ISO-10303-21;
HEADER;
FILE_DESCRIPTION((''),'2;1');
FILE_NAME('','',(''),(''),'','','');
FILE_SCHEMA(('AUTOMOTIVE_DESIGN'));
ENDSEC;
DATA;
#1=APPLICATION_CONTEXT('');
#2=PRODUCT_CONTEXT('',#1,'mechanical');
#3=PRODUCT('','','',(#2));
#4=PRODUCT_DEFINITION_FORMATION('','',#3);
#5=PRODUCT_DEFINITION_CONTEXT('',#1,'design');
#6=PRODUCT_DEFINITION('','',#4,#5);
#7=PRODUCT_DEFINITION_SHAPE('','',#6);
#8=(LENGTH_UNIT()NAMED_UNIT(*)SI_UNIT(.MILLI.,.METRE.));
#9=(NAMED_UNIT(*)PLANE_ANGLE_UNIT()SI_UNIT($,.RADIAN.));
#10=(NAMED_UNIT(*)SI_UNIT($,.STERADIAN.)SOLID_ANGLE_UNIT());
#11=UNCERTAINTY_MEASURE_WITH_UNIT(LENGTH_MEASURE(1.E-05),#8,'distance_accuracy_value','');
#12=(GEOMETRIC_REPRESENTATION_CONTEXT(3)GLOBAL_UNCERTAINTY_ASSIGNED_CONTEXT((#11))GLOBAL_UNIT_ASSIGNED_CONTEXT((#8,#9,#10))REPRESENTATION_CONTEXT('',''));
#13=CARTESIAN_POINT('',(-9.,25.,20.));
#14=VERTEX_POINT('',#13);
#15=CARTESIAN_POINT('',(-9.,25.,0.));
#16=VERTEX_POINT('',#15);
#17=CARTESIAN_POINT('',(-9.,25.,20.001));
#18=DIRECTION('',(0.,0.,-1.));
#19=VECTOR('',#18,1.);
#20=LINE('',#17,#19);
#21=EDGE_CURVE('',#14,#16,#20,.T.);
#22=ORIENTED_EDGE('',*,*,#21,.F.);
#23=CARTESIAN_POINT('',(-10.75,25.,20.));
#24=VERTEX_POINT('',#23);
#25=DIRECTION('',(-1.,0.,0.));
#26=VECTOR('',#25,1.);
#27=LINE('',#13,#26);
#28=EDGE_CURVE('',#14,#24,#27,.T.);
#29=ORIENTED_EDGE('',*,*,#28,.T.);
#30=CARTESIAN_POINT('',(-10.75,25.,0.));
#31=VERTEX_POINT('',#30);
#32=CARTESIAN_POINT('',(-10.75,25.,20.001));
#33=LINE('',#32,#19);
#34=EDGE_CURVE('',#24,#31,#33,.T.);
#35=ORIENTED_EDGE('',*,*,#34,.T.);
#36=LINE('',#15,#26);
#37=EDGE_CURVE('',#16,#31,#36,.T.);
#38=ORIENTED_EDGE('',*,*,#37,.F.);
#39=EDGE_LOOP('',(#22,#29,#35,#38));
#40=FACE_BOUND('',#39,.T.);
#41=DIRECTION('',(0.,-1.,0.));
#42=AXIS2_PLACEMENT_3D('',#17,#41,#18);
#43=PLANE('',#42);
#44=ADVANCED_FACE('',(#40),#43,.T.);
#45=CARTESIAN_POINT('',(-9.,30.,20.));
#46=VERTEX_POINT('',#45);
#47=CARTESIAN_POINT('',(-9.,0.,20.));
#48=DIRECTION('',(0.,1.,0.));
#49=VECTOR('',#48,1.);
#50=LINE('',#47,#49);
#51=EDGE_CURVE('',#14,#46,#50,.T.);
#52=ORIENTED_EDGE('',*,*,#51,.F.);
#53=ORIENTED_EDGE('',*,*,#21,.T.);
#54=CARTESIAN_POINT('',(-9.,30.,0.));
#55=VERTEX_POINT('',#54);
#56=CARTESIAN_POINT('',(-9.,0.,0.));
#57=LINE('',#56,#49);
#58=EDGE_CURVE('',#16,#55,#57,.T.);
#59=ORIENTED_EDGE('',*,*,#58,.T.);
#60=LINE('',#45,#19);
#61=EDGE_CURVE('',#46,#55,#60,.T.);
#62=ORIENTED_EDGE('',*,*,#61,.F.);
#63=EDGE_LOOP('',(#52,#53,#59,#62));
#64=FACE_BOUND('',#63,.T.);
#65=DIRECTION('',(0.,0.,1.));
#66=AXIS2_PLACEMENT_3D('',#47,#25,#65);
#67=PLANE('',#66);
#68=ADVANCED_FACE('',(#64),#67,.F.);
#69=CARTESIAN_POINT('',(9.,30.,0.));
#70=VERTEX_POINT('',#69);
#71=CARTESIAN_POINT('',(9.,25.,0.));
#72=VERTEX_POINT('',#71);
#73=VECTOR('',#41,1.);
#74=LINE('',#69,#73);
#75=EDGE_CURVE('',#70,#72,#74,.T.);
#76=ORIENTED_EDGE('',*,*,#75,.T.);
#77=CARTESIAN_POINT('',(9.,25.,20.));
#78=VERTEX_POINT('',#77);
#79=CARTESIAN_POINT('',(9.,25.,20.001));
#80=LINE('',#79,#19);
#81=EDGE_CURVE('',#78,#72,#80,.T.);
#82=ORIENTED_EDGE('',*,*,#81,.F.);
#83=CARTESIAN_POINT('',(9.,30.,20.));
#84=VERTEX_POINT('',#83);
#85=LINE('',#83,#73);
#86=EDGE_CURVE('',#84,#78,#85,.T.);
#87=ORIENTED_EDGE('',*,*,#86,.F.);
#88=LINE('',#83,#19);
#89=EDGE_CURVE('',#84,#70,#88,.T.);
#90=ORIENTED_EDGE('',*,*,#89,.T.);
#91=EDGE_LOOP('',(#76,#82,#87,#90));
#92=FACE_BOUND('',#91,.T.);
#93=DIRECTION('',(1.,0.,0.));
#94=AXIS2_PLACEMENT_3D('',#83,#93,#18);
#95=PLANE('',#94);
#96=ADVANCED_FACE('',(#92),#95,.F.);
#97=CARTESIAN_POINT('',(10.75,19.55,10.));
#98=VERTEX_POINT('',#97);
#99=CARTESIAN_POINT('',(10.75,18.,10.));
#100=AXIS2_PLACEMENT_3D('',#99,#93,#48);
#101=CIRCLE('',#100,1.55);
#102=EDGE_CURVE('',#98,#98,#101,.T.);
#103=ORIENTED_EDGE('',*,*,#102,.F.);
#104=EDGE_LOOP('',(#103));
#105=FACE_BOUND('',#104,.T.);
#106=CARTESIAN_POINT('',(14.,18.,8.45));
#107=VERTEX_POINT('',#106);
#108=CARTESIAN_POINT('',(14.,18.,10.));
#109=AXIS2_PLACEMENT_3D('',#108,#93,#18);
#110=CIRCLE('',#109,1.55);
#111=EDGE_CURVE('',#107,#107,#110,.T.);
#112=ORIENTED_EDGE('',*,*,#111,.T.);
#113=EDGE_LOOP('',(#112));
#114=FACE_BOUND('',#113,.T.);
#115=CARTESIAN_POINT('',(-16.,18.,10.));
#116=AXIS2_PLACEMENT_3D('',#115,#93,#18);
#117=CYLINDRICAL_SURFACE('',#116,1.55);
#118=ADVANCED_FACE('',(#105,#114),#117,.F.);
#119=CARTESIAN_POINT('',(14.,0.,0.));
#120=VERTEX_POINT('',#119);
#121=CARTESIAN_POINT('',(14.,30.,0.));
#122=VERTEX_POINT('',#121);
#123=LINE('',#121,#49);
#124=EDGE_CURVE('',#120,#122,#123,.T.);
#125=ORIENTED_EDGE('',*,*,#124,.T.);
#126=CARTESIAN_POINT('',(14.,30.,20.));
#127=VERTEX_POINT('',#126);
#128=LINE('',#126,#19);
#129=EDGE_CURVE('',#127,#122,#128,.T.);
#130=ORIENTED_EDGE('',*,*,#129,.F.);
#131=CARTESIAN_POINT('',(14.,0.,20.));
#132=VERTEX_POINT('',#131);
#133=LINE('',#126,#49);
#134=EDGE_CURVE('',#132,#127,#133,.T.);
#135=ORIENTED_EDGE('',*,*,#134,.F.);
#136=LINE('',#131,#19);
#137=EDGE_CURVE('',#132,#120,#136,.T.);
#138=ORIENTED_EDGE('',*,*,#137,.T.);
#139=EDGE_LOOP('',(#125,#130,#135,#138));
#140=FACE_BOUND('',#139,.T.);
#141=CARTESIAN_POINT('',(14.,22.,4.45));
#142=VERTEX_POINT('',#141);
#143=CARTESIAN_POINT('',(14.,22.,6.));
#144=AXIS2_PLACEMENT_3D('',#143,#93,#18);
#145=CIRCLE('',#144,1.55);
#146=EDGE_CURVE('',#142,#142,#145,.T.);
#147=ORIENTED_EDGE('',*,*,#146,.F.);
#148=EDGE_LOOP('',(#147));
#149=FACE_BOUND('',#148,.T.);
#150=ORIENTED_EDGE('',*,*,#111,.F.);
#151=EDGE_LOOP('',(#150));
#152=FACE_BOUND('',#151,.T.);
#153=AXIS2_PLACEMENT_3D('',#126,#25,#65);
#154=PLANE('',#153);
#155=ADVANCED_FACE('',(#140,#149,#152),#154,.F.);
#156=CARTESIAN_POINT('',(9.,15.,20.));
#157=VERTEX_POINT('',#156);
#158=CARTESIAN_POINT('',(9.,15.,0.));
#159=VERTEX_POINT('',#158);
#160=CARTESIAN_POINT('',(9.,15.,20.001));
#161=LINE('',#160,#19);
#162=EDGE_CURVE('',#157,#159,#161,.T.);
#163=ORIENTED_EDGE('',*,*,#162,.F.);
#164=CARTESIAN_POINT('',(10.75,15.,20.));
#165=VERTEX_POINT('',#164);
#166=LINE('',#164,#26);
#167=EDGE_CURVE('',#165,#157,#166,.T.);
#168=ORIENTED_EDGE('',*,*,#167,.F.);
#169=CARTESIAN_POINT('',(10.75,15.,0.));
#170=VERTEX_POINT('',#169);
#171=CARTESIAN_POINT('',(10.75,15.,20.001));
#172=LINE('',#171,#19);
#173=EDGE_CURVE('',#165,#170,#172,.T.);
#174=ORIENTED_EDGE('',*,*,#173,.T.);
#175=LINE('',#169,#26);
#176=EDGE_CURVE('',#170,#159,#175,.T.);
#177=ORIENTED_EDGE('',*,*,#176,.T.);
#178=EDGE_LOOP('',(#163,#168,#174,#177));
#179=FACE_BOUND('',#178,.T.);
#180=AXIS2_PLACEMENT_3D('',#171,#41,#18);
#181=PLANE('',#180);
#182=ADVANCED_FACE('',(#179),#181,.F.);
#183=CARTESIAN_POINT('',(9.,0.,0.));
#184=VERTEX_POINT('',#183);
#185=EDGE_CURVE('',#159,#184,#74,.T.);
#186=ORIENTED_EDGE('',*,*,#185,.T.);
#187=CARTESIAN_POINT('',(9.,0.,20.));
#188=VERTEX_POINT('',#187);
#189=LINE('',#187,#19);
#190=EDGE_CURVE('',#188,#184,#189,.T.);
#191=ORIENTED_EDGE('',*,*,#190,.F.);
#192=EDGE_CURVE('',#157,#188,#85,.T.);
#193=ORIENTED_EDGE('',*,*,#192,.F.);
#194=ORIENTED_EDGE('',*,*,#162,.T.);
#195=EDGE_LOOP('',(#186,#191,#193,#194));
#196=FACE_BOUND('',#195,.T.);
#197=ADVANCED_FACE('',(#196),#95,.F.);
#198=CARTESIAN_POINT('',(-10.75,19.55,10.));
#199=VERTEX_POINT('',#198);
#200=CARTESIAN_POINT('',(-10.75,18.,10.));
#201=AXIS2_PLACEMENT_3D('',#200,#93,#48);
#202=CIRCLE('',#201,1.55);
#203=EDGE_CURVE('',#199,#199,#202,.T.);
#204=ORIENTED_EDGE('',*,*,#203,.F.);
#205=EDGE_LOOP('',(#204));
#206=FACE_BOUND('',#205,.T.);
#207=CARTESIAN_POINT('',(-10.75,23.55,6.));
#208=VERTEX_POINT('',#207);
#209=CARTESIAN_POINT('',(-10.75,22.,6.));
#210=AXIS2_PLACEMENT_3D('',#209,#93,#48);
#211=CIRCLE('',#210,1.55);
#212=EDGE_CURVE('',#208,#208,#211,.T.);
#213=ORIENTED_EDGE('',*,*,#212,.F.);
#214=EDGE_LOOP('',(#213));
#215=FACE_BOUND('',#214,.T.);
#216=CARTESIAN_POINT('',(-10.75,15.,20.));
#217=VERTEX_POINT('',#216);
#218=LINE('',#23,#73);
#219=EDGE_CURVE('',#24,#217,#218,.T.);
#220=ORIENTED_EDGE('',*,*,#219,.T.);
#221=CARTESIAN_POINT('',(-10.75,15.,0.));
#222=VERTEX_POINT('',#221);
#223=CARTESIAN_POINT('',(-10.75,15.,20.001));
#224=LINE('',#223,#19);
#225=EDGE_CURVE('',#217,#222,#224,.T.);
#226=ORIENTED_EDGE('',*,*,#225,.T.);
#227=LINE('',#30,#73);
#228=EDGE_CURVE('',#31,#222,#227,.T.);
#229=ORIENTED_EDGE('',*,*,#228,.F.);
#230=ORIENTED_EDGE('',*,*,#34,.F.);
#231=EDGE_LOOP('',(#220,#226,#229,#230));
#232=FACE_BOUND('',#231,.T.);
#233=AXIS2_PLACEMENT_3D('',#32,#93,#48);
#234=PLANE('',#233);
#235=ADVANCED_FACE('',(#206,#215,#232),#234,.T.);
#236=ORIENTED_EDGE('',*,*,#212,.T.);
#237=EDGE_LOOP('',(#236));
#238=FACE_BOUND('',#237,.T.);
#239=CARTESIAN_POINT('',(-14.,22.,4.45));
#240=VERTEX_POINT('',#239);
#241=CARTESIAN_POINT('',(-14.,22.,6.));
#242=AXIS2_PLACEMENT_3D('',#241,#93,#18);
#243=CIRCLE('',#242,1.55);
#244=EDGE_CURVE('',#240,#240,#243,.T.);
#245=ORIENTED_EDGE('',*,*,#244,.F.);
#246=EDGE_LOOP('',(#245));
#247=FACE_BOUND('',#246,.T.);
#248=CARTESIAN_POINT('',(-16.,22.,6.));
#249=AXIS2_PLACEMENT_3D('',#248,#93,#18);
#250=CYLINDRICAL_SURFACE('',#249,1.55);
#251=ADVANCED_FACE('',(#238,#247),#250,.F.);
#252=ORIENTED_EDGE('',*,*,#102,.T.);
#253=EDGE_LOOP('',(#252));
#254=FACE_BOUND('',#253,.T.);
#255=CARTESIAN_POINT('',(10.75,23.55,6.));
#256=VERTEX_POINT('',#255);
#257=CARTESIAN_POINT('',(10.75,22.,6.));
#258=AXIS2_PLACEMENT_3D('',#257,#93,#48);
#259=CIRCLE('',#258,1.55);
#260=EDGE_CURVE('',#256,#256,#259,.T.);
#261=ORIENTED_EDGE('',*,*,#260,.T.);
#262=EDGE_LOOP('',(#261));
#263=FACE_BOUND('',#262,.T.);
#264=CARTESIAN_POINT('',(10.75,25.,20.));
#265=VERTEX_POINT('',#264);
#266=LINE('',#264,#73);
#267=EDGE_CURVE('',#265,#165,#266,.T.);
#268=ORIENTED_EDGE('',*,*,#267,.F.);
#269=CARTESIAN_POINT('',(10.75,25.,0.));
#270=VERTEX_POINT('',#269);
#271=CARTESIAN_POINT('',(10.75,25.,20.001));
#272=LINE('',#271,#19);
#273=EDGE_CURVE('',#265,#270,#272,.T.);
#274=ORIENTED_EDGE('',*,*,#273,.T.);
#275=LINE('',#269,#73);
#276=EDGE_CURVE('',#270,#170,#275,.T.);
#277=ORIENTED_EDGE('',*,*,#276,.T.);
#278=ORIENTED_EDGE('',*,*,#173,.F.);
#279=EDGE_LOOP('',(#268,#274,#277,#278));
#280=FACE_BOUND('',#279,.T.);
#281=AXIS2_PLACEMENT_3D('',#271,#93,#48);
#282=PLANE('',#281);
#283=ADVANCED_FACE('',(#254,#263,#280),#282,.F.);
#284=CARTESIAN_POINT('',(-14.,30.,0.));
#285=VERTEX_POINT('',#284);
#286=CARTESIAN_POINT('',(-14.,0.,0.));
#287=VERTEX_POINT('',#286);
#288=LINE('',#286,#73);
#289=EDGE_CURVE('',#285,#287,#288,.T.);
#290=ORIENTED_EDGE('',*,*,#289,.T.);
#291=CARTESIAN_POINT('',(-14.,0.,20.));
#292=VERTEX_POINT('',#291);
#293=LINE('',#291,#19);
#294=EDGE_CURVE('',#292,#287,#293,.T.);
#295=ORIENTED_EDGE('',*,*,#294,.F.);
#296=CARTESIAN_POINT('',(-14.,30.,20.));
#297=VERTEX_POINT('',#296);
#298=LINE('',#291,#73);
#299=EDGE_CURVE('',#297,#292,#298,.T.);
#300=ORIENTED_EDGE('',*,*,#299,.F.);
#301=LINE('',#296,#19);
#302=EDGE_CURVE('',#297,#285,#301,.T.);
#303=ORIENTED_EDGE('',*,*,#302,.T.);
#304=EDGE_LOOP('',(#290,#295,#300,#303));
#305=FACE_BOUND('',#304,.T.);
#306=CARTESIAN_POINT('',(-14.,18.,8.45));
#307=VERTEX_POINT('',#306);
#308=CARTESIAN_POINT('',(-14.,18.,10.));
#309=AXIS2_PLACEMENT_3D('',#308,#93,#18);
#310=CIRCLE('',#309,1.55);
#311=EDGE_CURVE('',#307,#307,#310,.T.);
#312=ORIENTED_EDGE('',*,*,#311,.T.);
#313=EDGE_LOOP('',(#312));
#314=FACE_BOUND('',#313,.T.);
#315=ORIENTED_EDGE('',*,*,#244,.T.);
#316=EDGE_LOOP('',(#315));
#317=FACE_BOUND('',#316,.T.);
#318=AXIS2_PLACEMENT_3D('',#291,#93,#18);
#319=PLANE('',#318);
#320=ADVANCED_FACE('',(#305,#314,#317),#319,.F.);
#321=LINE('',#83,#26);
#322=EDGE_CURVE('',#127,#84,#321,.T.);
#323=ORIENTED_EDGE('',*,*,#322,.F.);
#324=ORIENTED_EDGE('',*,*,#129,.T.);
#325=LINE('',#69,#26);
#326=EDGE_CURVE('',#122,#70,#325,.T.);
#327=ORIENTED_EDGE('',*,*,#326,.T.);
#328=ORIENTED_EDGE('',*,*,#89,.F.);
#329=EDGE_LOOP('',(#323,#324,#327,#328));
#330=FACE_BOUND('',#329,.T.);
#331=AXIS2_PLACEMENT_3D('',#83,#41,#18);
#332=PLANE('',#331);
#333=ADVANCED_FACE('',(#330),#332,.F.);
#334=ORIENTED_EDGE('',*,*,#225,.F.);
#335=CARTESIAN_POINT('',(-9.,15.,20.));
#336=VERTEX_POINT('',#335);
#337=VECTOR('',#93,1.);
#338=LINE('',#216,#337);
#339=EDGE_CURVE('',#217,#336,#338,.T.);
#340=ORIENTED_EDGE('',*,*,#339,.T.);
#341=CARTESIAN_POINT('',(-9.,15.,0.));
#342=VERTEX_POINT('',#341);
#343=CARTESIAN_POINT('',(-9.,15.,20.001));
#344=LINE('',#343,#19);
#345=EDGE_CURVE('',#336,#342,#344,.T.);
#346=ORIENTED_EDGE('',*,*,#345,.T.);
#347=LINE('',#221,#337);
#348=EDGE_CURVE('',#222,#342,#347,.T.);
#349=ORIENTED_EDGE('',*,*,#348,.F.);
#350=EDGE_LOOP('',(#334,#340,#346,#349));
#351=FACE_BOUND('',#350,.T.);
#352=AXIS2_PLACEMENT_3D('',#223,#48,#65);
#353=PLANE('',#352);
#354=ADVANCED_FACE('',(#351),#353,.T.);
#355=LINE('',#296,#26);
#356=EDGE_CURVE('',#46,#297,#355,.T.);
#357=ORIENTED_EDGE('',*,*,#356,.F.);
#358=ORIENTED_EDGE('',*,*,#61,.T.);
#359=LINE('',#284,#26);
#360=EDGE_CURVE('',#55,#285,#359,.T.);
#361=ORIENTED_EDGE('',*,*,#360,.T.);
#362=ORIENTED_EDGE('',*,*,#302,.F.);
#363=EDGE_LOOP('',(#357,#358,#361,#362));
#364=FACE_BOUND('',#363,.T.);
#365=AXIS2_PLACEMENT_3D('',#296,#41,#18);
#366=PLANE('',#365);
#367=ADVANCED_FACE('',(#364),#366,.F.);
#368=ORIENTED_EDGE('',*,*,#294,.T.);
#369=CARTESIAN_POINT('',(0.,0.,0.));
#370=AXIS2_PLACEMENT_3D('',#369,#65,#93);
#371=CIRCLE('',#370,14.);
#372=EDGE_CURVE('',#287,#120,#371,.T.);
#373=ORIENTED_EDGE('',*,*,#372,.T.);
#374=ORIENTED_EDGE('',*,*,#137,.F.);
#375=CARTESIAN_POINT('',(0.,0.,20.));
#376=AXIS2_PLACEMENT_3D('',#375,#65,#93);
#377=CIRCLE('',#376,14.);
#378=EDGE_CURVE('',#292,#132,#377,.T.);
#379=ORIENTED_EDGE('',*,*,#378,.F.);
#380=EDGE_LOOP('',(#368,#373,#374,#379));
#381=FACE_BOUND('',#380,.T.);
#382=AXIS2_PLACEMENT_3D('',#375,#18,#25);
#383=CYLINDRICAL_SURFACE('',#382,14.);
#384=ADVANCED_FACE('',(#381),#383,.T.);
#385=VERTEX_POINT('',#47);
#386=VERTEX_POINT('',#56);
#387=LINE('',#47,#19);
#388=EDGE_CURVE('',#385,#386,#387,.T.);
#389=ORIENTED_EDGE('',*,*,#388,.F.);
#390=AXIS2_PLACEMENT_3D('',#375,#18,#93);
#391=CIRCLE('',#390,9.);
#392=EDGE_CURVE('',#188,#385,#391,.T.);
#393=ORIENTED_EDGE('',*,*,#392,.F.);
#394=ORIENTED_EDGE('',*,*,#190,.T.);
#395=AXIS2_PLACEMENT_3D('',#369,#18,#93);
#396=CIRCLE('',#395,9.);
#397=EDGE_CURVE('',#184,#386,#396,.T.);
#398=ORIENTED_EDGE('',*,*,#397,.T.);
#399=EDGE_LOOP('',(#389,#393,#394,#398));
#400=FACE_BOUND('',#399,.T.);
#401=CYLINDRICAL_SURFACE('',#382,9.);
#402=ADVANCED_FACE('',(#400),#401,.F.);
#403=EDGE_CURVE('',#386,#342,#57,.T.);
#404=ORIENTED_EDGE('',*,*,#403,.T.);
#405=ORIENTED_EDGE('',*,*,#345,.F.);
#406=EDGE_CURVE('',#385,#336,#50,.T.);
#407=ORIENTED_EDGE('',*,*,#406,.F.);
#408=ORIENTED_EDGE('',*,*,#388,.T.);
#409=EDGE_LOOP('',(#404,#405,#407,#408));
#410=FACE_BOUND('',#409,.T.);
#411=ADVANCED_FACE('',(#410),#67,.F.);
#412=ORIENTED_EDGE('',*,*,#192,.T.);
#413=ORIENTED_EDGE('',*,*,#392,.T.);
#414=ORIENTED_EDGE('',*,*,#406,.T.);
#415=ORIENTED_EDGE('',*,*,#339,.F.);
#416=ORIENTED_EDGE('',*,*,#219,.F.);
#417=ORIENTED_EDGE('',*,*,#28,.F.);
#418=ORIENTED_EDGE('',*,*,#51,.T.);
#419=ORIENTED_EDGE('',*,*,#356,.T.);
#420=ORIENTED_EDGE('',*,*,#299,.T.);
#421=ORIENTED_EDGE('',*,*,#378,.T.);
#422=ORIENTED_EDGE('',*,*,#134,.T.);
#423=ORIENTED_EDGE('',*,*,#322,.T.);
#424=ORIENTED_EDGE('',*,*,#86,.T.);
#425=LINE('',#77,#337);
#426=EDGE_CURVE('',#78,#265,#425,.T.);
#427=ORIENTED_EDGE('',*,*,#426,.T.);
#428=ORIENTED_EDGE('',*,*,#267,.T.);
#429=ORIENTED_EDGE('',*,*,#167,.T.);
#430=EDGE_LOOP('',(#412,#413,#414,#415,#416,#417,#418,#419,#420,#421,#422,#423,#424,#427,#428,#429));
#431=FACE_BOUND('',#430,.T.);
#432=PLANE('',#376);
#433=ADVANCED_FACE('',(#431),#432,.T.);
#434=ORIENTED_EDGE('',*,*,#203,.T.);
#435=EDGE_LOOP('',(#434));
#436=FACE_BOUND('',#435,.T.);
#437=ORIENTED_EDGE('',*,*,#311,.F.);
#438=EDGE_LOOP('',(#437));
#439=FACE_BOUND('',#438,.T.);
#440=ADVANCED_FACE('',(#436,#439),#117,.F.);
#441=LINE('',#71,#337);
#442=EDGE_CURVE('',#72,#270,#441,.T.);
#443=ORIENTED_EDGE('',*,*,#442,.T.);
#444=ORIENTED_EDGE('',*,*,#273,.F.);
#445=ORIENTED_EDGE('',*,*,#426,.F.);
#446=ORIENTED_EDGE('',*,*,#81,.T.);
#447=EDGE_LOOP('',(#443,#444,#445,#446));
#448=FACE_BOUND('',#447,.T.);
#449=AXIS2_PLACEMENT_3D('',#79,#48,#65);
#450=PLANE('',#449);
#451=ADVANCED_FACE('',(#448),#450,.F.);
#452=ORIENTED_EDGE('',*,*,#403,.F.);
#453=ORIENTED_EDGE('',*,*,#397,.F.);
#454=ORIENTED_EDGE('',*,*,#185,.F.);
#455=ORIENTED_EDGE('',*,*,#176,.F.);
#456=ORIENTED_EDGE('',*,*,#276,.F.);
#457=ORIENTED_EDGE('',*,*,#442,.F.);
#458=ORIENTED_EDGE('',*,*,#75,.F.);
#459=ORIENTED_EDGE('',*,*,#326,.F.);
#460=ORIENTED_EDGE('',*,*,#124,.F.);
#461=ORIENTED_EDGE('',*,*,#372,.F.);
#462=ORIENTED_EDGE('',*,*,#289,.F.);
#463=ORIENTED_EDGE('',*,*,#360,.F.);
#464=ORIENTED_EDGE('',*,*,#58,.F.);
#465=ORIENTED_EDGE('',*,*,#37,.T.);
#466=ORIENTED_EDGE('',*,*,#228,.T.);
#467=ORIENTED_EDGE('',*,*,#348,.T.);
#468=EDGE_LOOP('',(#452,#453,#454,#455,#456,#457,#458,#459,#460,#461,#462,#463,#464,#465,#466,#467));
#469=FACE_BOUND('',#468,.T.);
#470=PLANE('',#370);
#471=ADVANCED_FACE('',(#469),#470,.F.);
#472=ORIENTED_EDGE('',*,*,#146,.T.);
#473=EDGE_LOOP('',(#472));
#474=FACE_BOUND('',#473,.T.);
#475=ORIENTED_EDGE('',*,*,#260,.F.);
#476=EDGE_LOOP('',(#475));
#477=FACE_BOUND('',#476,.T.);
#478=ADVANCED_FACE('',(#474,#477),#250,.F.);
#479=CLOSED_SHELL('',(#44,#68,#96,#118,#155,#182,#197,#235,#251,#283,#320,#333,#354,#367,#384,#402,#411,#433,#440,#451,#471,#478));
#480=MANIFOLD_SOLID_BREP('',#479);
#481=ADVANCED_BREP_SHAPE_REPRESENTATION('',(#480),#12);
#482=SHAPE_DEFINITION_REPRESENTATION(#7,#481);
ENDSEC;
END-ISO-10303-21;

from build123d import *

# Parameters (mm, degrees)
EXTRUDE_1_DEPTH     = 20
SKETCH_2_R          = 1.55
CUT_EXTRUDE_1_DEPTH = 30
SKETCH_3_W          = 1.75
SKETCH_3_H          = 10
CUT_EXTRUDE_2_DEPTH = 20


with BuildPart() as part:
    # 草图1 → 凸台-拉伸1 (new body)
    with BuildSketch(Plane.XY):
        with BuildLine():
            Line((-14, 0), (-14, 30))
            Line((-14, 30), (-9, 30))
            Line((-9, 30), (-9, 0))
            ThreePointArc((-9, 0), (0, -9), (9, 0))
            Line((9, 0), (9, 30))
            Line((9, 30), (14, 30))
            Line((14, 30), (14, 0))
            ThreePointArc((14, 0), (0, -14), (-14, 0))
        make_face()
    extrude(amount=EXTRUDE_1_DEPTH)

    # 草图2 → 切除-拉伸1 (cut)
    with BuildSketch(Plane(origin=(14, 0, 0), x_dir=(0, 0, -1), z_dir=(1, 0, 0))):
        with Locations((-10, 18)):
            Circle(SKETCH_2_R)
        with Locations((-6, 22)):
            Circle(SKETCH_2_R)
    extrude(amount=-CUT_EXTRUDE_1_DEPTH, mode=Mode.SUBTRACT)

    # 草图3 → 切除-拉伸2 (cut)
    with BuildSketch(Plane(origin=(0, 0, 0), x_dir=(-1, 0, 0), z_dir=(0, 0, -1))):
        with Locations((-9.875, 20)):
            Rectangle(SKETCH_3_W, SKETCH_3_H)
    cut_extrude_2 = extrude(amount=-CUT_EXTRUDE_2_DEPTH, mode=Mode.SUBTRACT)

    # 镜向1: 切除-拉伸2 across plane
    add(cut_extrude_2.mirror(Plane(origin=(0, 0, 0), x_dir=(0, 0, 1), z_dir=(1, 0, 0))), mode=Mode.SUBTRACT)


solid = part.part
